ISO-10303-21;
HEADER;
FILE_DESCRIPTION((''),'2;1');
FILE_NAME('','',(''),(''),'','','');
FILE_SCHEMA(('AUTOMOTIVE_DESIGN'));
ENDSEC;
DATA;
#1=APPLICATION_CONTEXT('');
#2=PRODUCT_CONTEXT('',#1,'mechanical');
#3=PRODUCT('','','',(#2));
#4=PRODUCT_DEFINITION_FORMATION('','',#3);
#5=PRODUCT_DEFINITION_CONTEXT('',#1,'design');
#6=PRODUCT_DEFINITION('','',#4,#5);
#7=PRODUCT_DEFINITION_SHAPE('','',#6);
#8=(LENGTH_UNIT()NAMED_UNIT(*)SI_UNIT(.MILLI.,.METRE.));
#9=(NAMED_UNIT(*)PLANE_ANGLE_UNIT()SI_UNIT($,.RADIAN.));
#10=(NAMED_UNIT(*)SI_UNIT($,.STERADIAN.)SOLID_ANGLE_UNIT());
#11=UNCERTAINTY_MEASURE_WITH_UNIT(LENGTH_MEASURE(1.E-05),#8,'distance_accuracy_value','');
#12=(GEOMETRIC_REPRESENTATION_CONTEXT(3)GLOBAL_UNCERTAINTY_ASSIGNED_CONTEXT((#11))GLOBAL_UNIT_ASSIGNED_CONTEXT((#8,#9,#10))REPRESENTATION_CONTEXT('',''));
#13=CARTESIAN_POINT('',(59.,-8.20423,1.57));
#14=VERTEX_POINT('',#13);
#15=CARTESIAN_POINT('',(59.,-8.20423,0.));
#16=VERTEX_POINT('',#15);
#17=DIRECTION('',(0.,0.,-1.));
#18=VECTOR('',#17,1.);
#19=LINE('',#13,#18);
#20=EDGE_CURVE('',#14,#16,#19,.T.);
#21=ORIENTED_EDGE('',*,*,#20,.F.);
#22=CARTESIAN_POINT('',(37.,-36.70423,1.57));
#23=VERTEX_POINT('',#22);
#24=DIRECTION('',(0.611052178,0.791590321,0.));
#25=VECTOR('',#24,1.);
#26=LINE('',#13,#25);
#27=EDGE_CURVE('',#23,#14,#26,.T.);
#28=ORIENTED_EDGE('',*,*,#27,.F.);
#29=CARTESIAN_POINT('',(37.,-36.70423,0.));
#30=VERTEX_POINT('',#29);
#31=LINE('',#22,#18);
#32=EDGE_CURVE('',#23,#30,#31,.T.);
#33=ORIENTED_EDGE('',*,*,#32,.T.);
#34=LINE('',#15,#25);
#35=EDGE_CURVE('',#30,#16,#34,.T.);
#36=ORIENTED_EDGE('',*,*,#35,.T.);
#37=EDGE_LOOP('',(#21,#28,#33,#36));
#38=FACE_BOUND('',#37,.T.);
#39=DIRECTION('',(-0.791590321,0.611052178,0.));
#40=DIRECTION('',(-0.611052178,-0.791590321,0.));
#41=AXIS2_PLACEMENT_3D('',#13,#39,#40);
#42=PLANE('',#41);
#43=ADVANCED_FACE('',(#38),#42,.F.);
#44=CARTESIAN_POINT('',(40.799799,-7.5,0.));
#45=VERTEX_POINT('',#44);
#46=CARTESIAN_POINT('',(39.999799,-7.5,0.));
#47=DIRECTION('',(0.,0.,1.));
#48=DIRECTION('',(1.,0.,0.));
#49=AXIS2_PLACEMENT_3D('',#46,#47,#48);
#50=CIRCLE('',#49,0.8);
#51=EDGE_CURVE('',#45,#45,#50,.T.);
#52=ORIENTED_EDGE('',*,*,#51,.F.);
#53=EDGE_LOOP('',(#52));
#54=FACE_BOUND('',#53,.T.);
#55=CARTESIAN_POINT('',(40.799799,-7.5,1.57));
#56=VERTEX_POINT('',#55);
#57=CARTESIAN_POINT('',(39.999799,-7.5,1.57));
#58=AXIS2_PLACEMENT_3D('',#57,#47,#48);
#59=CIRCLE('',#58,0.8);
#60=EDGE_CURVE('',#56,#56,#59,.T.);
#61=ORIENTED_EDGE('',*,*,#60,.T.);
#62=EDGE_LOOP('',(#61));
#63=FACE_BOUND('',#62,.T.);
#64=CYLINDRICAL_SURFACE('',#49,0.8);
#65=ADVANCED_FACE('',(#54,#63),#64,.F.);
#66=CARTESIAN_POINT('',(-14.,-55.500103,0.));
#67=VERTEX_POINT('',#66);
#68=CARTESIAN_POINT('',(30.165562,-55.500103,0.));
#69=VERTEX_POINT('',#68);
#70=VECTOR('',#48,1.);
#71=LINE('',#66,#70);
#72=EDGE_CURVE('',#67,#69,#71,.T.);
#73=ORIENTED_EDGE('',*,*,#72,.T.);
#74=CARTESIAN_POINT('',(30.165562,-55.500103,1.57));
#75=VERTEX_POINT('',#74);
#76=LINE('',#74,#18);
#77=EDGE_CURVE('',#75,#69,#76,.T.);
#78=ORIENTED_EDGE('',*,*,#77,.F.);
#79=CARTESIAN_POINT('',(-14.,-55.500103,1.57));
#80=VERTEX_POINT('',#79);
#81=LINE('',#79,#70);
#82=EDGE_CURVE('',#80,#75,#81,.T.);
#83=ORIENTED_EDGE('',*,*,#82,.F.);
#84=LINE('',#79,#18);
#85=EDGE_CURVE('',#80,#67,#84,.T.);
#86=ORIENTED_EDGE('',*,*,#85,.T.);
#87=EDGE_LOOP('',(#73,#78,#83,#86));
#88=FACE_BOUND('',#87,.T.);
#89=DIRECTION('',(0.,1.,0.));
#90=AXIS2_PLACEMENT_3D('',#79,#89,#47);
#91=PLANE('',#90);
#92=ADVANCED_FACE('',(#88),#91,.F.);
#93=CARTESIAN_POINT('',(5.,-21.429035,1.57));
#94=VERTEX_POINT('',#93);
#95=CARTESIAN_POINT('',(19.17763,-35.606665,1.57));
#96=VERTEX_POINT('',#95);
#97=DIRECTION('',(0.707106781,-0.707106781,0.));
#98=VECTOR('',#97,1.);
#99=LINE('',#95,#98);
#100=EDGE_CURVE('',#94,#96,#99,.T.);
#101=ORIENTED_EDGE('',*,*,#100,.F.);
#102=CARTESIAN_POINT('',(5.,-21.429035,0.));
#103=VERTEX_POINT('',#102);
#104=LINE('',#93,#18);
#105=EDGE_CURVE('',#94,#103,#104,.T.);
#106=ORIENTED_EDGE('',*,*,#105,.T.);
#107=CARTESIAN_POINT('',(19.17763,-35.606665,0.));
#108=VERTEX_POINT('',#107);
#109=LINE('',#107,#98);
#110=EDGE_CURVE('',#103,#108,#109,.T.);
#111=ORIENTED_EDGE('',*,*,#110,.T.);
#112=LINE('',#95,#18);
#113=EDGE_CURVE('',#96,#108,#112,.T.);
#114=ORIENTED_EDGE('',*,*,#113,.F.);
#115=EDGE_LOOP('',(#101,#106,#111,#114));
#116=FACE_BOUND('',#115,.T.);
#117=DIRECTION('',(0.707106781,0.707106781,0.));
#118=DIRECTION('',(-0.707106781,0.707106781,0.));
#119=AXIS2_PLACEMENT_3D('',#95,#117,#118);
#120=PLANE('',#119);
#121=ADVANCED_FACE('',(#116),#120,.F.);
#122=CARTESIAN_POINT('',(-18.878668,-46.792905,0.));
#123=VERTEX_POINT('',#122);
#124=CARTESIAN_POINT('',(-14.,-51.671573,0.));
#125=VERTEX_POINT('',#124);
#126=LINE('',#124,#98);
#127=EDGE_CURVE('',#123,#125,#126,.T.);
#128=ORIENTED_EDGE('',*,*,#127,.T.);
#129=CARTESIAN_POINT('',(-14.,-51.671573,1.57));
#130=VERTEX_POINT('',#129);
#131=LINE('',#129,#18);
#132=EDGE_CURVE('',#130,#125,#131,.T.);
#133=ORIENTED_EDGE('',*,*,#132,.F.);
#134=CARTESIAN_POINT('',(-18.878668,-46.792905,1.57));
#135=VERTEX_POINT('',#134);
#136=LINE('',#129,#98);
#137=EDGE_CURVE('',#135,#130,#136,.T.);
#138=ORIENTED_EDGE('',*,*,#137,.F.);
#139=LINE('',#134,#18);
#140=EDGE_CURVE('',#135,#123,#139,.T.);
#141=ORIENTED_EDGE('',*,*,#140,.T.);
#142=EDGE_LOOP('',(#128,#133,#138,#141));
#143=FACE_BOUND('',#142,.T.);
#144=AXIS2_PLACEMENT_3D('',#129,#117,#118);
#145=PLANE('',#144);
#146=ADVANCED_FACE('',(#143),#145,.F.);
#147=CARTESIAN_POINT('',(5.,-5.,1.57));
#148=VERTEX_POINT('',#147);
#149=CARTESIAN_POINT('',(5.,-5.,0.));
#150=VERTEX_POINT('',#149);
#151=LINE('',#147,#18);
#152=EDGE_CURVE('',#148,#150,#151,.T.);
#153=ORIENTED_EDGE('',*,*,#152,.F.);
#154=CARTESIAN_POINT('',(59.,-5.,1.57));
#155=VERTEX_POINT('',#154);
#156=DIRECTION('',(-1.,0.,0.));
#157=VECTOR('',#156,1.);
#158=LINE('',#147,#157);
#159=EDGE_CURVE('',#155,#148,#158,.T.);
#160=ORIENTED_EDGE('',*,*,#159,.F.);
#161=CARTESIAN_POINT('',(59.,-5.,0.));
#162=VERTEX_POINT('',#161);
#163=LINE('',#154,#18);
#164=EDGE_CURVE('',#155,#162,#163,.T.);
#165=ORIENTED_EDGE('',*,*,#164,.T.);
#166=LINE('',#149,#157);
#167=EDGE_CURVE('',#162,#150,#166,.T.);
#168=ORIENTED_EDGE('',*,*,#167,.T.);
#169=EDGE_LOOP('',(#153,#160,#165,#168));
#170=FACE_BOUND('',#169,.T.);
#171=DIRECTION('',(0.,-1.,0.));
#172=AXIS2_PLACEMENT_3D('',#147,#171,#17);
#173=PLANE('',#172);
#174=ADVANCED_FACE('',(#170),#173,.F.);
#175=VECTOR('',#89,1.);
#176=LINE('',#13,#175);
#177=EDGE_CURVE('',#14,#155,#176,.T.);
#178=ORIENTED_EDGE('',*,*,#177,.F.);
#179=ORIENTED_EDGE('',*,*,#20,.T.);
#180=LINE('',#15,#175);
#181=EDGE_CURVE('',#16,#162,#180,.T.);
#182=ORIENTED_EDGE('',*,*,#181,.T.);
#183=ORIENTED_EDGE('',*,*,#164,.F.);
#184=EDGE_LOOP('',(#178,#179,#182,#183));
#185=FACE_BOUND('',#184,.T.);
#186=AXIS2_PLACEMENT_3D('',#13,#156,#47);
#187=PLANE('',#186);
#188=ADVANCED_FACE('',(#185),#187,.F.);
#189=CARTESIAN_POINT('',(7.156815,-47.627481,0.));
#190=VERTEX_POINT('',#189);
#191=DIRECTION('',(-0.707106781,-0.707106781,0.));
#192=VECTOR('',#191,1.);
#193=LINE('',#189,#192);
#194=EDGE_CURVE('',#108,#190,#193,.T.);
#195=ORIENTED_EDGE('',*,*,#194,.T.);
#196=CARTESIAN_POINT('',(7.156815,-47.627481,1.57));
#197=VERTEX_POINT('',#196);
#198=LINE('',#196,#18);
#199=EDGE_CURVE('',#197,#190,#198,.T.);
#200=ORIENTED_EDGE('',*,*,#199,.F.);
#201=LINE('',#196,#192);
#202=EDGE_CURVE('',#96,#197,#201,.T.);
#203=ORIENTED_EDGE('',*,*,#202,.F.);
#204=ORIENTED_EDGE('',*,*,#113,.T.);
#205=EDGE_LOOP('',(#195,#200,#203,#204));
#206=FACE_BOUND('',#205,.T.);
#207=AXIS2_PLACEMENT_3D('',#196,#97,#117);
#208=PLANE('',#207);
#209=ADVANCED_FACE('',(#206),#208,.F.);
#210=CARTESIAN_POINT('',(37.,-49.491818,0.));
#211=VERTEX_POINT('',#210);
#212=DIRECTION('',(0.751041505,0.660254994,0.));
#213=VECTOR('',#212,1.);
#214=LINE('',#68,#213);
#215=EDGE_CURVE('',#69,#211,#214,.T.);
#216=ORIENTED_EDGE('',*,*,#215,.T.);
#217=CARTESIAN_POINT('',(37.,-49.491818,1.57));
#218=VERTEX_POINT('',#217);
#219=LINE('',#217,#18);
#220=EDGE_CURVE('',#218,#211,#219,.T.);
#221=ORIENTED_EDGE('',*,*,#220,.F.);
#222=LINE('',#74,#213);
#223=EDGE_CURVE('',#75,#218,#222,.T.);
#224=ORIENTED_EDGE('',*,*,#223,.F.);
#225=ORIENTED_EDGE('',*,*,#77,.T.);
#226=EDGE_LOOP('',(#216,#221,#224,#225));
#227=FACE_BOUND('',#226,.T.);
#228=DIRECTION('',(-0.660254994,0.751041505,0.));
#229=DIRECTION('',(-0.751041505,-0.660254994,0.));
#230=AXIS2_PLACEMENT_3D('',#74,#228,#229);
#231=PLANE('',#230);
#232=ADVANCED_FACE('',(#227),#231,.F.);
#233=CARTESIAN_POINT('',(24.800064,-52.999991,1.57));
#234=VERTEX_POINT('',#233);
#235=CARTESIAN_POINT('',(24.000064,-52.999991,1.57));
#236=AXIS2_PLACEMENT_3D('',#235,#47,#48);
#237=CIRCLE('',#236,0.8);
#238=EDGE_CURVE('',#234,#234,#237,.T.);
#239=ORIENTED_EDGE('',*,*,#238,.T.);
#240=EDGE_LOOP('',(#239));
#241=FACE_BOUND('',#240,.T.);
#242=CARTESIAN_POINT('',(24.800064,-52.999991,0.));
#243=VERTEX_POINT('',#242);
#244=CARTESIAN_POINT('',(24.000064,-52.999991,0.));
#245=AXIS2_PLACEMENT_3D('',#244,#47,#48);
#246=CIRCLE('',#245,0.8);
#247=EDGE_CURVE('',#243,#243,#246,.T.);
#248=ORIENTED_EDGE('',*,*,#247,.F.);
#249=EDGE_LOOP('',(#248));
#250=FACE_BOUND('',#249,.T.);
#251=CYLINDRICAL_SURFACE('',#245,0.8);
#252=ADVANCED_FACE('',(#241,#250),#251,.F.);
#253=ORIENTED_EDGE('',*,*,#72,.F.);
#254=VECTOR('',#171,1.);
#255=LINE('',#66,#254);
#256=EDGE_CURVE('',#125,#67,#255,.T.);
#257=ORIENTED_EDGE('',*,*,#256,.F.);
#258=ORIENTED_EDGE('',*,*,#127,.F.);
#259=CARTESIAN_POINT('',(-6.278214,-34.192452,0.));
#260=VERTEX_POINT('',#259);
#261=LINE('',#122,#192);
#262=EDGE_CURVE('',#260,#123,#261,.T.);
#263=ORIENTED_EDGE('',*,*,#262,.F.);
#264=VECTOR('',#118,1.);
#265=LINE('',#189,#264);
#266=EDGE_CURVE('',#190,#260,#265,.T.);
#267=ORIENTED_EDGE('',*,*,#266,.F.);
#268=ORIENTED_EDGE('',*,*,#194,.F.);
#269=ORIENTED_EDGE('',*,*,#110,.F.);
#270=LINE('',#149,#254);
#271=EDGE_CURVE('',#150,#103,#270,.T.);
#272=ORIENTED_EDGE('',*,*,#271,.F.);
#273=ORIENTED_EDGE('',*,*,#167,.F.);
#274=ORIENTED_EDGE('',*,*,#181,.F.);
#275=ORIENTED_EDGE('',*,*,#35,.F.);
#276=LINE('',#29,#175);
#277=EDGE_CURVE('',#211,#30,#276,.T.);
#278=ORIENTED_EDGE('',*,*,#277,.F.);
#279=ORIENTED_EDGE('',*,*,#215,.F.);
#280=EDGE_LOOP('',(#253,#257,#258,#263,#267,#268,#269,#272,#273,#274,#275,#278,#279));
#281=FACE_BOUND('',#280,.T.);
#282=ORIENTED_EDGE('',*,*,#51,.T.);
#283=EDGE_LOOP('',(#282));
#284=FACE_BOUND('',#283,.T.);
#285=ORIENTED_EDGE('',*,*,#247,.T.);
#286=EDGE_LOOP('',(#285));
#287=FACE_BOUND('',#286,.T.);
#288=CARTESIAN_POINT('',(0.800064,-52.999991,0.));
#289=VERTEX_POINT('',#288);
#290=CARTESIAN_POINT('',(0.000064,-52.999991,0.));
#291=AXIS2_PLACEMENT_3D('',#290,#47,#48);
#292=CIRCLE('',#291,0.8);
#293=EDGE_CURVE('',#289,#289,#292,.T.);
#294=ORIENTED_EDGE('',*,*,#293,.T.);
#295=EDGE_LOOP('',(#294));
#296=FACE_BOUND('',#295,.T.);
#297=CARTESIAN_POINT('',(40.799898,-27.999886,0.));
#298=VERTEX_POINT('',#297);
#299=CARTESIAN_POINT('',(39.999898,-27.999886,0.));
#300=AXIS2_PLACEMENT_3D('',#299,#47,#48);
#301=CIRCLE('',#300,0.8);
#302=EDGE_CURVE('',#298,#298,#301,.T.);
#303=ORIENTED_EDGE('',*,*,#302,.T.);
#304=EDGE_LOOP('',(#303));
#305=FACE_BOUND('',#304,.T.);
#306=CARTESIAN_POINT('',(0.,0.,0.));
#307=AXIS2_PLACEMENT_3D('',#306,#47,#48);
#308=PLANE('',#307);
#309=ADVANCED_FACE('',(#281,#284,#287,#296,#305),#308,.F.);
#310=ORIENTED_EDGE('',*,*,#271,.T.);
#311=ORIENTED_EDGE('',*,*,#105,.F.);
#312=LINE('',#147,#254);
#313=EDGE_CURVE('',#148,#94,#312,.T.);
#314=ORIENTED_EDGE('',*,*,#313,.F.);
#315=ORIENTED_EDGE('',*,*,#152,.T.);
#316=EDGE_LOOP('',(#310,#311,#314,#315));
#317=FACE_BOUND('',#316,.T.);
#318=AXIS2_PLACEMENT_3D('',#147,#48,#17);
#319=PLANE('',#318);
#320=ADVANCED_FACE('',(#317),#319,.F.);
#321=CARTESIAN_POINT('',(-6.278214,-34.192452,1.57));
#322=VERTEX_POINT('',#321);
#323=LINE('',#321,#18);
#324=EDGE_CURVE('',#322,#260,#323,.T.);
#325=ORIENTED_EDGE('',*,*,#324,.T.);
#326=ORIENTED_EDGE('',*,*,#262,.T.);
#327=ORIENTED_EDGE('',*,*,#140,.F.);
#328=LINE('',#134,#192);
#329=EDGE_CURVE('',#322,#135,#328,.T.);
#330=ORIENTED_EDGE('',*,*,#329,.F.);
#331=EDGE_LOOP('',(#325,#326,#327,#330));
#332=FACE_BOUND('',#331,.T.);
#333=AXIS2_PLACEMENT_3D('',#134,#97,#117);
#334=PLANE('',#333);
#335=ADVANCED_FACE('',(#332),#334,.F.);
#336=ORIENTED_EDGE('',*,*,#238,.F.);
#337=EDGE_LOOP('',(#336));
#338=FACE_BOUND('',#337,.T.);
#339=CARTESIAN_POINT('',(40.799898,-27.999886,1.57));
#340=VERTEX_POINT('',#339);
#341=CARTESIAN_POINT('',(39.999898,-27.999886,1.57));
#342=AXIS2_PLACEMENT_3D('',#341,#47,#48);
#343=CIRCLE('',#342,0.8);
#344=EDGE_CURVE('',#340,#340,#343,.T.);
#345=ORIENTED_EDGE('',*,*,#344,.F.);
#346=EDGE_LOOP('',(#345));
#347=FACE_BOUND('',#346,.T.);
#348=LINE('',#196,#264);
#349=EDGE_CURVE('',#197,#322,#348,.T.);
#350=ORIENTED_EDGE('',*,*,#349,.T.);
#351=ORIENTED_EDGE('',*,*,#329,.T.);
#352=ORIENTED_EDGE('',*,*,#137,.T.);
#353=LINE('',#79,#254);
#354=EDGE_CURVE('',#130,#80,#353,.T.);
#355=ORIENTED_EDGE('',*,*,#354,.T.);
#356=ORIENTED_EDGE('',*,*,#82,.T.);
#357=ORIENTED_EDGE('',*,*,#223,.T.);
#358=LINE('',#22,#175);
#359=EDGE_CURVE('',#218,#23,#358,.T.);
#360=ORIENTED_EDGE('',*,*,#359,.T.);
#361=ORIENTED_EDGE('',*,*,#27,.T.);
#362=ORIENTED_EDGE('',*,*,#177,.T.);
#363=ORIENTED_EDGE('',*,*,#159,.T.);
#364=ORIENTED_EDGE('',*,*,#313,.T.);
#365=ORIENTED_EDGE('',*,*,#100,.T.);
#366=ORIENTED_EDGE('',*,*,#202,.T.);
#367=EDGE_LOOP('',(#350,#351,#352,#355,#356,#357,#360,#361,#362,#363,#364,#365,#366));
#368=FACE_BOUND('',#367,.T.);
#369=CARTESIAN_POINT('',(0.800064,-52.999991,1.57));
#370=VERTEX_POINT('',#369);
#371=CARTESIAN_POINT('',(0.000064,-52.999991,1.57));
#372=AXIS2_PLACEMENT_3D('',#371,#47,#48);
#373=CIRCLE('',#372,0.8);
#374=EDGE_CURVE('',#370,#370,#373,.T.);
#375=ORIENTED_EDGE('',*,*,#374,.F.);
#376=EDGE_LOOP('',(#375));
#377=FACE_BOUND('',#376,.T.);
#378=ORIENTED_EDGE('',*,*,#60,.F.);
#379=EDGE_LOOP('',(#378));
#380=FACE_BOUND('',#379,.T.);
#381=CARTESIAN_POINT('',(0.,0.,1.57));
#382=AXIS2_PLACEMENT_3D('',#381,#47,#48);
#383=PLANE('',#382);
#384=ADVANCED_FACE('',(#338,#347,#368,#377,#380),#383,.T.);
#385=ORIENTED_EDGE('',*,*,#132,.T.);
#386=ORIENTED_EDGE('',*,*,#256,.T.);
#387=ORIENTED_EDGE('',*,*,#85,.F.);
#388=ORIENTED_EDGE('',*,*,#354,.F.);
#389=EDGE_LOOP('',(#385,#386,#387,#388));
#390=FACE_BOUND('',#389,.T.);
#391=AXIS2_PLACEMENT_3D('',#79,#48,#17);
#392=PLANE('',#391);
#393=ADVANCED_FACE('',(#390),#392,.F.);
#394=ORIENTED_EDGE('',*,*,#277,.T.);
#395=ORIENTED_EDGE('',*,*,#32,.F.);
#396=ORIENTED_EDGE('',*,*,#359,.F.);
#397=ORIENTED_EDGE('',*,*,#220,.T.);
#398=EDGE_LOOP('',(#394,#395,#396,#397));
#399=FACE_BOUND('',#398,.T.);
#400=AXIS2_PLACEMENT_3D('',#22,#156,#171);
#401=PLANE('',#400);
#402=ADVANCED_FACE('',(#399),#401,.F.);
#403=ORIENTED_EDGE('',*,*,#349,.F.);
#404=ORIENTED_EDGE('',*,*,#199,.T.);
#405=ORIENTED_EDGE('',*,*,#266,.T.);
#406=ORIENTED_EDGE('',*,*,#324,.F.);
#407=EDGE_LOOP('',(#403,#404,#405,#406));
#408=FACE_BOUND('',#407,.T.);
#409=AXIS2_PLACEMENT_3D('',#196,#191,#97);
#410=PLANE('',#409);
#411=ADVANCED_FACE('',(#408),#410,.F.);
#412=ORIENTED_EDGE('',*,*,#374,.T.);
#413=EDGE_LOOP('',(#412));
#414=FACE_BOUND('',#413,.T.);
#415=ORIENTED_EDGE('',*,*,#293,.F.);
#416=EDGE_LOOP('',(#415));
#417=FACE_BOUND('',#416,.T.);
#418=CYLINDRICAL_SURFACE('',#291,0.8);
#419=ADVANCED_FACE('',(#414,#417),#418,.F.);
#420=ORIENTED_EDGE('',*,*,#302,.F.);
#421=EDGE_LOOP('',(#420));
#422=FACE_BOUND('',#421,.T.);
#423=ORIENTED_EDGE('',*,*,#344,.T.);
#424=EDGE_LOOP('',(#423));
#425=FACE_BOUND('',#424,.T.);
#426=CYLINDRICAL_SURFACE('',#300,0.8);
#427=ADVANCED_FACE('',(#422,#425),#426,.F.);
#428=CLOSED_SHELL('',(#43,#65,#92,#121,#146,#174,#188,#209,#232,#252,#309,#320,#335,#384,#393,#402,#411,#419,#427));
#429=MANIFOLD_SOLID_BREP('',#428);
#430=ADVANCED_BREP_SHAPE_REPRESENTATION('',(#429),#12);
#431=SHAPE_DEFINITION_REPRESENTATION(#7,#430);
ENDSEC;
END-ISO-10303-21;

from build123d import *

# Parameters (mm, degrees)
BOSS_EXTRUDE1_DEPTH = 1.57
SKETCH4_R           = 0.8
CUT_EXTRUDE1_DEPTH  = 2.57


with BuildPart() as part:
    # Sketch2 → Boss-Extrude1 (new body)
    with BuildSketch(Plane.XY):
        Polygon((-14, -55.500103029), (-14, -51.671572877), (-18.878667627, -46.792905249), (-6.278214078, -34.1924517), (7.156814765, -47.627480542), (19.177630045, -35.606665262), (5, -21.429035217), (5, -5), (59, -5), (59, -8.204229809), (37.000000001, -36.704229808), (37.000000001, -49.491817554), (30.165562087, -55.500103029), align=None)
    extrude(amount=BOSS_EXTRUDE1_DEPTH)

    # Sketch4 → Cut-Extrude1 (cut, through all)
    with BuildSketch(Plane.XY.offset(1.57)):
        with Locations((39.999798764, -7.5)):
            Circle(SKETCH4_R)
        with Locations((39.999898107, -27.999885516)):
            Circle(SKETCH4_R)
        with Locations((24.000063681, -52.999991481)):
            Circle(SKETCH4_R)
        with Locations((6.3681e-05, -52.999991481)):
            Circle(SKETCH4_R)
    extrude(amount=-CUT_EXTRUDE1_DEPTH, mode=Mode.SUBTRACT)


solid = part.part
